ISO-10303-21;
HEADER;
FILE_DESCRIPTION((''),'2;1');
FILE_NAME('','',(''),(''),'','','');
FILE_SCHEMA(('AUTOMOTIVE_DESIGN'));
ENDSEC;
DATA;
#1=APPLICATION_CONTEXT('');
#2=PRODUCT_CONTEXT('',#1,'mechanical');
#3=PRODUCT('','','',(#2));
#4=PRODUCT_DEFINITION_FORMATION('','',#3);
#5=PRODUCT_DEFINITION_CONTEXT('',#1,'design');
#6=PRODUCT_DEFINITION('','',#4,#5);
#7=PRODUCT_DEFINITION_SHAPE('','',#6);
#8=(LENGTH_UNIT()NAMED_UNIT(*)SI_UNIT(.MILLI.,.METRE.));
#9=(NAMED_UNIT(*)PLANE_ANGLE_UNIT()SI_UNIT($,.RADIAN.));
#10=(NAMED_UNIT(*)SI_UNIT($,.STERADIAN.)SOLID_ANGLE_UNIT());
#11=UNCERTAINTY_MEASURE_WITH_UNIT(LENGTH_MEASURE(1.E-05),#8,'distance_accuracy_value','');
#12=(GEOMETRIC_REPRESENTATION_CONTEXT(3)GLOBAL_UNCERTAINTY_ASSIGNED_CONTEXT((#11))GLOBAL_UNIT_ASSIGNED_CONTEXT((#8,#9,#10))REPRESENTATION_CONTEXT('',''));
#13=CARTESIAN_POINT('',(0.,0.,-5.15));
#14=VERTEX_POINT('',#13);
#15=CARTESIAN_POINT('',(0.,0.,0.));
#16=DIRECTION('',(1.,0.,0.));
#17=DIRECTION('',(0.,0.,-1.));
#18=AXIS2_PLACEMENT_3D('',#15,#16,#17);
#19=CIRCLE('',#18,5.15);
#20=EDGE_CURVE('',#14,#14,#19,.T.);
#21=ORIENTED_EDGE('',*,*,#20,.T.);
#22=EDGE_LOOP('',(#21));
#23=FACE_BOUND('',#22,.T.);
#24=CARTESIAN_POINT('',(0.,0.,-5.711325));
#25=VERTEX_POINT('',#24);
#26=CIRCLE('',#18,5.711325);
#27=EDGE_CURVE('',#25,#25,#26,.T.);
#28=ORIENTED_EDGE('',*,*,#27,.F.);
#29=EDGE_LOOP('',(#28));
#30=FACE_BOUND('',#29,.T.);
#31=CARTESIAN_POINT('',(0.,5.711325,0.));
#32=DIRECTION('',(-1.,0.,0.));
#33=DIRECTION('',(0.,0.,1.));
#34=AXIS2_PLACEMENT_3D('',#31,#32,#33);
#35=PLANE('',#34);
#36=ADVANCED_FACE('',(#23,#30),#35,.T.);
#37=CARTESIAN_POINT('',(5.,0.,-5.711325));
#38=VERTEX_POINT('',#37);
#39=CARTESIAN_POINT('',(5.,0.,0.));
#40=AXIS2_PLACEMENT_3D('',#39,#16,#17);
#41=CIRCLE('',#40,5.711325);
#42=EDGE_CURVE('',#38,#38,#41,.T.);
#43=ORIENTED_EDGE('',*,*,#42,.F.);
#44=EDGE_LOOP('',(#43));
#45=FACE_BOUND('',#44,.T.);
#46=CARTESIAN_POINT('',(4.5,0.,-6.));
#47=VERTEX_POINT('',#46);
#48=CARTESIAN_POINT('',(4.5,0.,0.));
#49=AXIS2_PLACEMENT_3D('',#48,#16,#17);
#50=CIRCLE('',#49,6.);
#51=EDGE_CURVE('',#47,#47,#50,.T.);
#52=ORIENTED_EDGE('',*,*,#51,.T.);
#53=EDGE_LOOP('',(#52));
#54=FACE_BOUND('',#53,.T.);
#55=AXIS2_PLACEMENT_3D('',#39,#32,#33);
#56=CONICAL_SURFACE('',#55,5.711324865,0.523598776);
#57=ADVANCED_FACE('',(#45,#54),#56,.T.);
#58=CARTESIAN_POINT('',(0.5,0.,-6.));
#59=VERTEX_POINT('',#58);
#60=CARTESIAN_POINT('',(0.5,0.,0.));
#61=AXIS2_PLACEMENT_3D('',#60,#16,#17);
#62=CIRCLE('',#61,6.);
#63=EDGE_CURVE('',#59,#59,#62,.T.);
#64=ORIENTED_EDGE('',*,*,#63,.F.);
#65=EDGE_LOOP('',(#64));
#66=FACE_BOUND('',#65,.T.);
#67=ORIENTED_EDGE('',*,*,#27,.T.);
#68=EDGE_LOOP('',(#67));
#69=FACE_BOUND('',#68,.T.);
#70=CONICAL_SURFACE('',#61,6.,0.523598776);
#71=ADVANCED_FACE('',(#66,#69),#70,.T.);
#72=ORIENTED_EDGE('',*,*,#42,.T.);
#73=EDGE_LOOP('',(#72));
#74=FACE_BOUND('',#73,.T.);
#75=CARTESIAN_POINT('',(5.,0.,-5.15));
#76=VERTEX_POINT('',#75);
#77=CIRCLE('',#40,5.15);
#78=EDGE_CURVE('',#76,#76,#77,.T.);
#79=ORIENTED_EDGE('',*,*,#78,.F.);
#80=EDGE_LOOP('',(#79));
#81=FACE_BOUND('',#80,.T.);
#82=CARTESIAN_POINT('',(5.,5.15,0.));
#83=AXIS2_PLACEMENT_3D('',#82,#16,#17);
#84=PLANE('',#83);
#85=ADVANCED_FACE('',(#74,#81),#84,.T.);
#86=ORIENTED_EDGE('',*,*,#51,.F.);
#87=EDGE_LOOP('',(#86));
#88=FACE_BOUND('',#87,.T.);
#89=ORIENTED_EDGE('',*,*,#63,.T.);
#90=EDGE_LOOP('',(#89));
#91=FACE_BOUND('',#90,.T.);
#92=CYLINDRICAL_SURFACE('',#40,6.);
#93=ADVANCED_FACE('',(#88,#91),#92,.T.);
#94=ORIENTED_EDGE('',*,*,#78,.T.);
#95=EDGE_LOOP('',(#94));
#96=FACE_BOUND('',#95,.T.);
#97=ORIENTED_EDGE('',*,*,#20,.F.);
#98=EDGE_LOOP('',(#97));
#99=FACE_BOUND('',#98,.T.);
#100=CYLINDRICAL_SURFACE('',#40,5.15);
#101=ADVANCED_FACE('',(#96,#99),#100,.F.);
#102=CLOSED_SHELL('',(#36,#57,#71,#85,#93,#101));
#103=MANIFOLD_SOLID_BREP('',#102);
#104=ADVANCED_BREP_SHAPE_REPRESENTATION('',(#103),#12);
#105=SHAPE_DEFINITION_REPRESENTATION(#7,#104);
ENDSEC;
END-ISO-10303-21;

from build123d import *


with BuildPart() as part:
    # Sketch1 → Revolve1 (revolve)
    with BuildSketch(Plane.XY):
        Polygon((0, 5.15), (5, 5.15), (5, 5.711324865), (4.5, 6), (0.5, 6), (0, 5.711324865), align=None)
    revolve(axis=Axis((5, 0, 0), (-1, 0, 0)))


solid = part.part
